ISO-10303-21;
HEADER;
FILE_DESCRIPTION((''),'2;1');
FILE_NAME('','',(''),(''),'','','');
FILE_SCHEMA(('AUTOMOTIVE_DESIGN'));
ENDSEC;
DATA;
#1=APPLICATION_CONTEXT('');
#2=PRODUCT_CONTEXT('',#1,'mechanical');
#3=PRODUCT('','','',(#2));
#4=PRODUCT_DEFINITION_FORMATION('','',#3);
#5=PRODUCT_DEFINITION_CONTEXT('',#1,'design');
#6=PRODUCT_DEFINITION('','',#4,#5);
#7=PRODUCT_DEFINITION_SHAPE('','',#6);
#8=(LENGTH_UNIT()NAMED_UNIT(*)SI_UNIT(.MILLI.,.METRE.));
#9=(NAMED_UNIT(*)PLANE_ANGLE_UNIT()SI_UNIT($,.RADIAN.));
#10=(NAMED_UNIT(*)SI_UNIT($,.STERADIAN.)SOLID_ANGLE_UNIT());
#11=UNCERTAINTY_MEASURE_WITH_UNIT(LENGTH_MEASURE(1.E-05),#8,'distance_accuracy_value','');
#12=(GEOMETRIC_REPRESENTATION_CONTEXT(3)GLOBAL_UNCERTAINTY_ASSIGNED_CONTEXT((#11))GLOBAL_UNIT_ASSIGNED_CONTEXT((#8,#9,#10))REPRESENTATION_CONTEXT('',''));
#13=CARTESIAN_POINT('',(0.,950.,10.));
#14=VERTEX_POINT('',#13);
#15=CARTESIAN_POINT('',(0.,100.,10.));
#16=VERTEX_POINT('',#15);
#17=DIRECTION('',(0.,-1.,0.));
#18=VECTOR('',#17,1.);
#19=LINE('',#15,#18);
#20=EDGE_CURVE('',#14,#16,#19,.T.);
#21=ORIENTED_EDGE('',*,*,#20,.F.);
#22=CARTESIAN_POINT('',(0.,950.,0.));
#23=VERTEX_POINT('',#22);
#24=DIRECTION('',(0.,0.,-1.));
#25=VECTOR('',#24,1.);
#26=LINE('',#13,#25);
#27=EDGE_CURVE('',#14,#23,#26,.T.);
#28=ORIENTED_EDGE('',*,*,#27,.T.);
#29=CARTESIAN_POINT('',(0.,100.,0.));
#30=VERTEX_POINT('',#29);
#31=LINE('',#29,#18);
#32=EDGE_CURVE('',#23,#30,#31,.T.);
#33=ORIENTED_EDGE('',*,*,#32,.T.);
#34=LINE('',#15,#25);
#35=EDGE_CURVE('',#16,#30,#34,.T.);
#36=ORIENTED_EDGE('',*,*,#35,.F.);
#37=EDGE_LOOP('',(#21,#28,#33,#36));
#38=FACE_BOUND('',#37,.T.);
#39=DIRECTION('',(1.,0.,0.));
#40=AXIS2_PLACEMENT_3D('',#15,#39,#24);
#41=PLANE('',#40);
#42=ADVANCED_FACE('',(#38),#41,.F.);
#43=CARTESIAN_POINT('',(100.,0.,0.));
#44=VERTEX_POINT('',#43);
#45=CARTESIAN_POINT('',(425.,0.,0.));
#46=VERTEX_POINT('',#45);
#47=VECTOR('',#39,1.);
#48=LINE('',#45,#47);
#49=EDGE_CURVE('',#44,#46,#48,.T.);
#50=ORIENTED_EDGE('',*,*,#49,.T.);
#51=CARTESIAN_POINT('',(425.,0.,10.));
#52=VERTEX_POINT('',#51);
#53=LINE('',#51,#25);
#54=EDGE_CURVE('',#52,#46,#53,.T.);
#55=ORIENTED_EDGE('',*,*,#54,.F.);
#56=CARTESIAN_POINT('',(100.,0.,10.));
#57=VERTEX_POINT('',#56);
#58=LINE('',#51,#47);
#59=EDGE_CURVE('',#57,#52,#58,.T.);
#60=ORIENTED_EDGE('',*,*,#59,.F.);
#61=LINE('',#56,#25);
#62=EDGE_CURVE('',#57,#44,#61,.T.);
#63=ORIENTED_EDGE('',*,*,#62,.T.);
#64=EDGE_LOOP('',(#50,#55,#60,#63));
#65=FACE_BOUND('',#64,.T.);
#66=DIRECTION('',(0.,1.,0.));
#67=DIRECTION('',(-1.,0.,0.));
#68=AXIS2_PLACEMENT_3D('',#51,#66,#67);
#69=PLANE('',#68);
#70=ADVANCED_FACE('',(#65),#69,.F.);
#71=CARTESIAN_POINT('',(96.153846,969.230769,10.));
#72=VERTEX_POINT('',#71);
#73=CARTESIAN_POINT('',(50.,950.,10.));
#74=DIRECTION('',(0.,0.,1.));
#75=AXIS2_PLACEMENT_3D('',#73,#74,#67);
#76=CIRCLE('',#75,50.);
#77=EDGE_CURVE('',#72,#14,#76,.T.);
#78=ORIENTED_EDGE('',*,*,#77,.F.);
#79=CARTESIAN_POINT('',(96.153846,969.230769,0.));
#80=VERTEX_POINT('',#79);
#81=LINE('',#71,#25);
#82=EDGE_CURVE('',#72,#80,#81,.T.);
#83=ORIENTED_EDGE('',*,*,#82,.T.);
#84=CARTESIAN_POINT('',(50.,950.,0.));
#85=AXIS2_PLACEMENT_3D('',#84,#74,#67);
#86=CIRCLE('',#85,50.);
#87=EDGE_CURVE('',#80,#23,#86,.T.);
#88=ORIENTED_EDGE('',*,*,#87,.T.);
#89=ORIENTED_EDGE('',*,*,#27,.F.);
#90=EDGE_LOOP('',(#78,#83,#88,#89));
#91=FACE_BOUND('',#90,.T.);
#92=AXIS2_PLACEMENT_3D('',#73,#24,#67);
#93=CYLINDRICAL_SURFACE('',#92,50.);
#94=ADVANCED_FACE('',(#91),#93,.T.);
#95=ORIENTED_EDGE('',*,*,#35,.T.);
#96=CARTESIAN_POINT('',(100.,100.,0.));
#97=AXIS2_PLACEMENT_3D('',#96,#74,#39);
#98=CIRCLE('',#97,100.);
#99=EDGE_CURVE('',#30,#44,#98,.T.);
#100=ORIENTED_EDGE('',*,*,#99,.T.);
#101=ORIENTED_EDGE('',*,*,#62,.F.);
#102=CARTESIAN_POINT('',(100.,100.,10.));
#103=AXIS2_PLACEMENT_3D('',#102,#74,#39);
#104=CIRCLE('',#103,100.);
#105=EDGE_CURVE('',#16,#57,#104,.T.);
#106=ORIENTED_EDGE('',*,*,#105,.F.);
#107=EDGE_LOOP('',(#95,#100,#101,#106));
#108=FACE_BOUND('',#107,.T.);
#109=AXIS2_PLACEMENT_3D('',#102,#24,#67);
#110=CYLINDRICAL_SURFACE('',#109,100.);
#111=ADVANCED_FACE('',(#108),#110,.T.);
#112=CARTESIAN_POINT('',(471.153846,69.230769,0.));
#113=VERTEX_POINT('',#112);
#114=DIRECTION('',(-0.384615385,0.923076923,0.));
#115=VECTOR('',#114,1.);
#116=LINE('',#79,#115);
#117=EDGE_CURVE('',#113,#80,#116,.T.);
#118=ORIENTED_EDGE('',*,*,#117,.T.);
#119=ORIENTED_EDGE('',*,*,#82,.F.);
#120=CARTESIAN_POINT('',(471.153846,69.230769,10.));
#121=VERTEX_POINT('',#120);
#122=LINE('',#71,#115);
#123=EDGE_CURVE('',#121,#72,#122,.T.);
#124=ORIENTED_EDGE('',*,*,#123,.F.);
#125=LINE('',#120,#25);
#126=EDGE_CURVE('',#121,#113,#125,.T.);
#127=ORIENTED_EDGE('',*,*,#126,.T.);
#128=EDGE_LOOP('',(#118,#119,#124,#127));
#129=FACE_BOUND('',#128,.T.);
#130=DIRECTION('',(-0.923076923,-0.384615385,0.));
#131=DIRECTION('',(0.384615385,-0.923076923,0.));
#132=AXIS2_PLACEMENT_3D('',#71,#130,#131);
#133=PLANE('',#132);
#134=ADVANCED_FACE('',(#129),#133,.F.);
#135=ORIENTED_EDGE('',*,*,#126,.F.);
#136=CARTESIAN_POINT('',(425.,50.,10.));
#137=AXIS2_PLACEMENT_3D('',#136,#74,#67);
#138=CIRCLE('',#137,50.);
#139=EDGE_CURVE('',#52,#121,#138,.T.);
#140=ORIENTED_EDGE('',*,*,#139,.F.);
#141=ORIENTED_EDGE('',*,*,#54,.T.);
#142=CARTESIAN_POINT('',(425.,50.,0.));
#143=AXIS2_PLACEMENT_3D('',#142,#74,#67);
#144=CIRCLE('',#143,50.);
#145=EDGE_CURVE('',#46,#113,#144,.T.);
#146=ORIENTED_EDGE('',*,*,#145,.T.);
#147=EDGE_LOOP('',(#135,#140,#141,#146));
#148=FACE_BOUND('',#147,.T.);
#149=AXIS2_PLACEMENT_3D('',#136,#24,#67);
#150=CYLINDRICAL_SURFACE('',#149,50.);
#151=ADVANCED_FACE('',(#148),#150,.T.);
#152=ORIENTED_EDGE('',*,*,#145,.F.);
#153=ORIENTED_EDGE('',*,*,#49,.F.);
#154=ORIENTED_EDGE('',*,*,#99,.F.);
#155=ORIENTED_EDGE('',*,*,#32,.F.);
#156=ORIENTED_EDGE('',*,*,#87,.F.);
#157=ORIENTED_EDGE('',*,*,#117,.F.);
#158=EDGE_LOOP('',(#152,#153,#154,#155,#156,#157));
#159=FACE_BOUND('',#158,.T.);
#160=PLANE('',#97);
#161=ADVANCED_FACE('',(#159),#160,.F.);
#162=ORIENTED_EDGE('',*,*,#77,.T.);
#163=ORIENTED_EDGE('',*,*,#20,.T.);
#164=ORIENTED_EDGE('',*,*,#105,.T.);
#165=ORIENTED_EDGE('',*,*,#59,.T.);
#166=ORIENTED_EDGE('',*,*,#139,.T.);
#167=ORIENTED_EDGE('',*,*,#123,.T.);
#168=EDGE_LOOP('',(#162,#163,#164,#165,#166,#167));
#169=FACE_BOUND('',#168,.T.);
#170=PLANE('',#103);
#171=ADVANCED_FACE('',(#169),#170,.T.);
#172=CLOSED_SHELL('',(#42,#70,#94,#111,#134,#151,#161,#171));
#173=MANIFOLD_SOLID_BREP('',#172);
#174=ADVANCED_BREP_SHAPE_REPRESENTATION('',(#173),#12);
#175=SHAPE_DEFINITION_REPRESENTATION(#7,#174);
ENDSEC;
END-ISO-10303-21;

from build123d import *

# Parameters (mm, degrees)
BOSS_EXTRUDE1_DEPTH = 10


with BuildPart() as part:
    # Sketch1 → Boss-Extrude1 (new body)
    with BuildSketch(Plane.XY):
        with BuildLine():
            Line((0, 100), (0, 950))
            ThreePointArc((0, 950), (40.194193243, 999.029033785), (96.153846154, 969.230769231))
            Line((96.153846154, 969.230769231), (471.153846154, 69.230769231))
            ThreePointArc((471.153846154, 69.230769231), (466.602514717, 22.264990189), (425, 0))
            Line((425, 0), (100, 0))
            ThreePointArc((100, 0), (29.289321881, 29.289321881), (0, 100))
        make_face()
    extrude(amount=BOSS_EXTRUDE1_DEPTH)


solid = part.part
